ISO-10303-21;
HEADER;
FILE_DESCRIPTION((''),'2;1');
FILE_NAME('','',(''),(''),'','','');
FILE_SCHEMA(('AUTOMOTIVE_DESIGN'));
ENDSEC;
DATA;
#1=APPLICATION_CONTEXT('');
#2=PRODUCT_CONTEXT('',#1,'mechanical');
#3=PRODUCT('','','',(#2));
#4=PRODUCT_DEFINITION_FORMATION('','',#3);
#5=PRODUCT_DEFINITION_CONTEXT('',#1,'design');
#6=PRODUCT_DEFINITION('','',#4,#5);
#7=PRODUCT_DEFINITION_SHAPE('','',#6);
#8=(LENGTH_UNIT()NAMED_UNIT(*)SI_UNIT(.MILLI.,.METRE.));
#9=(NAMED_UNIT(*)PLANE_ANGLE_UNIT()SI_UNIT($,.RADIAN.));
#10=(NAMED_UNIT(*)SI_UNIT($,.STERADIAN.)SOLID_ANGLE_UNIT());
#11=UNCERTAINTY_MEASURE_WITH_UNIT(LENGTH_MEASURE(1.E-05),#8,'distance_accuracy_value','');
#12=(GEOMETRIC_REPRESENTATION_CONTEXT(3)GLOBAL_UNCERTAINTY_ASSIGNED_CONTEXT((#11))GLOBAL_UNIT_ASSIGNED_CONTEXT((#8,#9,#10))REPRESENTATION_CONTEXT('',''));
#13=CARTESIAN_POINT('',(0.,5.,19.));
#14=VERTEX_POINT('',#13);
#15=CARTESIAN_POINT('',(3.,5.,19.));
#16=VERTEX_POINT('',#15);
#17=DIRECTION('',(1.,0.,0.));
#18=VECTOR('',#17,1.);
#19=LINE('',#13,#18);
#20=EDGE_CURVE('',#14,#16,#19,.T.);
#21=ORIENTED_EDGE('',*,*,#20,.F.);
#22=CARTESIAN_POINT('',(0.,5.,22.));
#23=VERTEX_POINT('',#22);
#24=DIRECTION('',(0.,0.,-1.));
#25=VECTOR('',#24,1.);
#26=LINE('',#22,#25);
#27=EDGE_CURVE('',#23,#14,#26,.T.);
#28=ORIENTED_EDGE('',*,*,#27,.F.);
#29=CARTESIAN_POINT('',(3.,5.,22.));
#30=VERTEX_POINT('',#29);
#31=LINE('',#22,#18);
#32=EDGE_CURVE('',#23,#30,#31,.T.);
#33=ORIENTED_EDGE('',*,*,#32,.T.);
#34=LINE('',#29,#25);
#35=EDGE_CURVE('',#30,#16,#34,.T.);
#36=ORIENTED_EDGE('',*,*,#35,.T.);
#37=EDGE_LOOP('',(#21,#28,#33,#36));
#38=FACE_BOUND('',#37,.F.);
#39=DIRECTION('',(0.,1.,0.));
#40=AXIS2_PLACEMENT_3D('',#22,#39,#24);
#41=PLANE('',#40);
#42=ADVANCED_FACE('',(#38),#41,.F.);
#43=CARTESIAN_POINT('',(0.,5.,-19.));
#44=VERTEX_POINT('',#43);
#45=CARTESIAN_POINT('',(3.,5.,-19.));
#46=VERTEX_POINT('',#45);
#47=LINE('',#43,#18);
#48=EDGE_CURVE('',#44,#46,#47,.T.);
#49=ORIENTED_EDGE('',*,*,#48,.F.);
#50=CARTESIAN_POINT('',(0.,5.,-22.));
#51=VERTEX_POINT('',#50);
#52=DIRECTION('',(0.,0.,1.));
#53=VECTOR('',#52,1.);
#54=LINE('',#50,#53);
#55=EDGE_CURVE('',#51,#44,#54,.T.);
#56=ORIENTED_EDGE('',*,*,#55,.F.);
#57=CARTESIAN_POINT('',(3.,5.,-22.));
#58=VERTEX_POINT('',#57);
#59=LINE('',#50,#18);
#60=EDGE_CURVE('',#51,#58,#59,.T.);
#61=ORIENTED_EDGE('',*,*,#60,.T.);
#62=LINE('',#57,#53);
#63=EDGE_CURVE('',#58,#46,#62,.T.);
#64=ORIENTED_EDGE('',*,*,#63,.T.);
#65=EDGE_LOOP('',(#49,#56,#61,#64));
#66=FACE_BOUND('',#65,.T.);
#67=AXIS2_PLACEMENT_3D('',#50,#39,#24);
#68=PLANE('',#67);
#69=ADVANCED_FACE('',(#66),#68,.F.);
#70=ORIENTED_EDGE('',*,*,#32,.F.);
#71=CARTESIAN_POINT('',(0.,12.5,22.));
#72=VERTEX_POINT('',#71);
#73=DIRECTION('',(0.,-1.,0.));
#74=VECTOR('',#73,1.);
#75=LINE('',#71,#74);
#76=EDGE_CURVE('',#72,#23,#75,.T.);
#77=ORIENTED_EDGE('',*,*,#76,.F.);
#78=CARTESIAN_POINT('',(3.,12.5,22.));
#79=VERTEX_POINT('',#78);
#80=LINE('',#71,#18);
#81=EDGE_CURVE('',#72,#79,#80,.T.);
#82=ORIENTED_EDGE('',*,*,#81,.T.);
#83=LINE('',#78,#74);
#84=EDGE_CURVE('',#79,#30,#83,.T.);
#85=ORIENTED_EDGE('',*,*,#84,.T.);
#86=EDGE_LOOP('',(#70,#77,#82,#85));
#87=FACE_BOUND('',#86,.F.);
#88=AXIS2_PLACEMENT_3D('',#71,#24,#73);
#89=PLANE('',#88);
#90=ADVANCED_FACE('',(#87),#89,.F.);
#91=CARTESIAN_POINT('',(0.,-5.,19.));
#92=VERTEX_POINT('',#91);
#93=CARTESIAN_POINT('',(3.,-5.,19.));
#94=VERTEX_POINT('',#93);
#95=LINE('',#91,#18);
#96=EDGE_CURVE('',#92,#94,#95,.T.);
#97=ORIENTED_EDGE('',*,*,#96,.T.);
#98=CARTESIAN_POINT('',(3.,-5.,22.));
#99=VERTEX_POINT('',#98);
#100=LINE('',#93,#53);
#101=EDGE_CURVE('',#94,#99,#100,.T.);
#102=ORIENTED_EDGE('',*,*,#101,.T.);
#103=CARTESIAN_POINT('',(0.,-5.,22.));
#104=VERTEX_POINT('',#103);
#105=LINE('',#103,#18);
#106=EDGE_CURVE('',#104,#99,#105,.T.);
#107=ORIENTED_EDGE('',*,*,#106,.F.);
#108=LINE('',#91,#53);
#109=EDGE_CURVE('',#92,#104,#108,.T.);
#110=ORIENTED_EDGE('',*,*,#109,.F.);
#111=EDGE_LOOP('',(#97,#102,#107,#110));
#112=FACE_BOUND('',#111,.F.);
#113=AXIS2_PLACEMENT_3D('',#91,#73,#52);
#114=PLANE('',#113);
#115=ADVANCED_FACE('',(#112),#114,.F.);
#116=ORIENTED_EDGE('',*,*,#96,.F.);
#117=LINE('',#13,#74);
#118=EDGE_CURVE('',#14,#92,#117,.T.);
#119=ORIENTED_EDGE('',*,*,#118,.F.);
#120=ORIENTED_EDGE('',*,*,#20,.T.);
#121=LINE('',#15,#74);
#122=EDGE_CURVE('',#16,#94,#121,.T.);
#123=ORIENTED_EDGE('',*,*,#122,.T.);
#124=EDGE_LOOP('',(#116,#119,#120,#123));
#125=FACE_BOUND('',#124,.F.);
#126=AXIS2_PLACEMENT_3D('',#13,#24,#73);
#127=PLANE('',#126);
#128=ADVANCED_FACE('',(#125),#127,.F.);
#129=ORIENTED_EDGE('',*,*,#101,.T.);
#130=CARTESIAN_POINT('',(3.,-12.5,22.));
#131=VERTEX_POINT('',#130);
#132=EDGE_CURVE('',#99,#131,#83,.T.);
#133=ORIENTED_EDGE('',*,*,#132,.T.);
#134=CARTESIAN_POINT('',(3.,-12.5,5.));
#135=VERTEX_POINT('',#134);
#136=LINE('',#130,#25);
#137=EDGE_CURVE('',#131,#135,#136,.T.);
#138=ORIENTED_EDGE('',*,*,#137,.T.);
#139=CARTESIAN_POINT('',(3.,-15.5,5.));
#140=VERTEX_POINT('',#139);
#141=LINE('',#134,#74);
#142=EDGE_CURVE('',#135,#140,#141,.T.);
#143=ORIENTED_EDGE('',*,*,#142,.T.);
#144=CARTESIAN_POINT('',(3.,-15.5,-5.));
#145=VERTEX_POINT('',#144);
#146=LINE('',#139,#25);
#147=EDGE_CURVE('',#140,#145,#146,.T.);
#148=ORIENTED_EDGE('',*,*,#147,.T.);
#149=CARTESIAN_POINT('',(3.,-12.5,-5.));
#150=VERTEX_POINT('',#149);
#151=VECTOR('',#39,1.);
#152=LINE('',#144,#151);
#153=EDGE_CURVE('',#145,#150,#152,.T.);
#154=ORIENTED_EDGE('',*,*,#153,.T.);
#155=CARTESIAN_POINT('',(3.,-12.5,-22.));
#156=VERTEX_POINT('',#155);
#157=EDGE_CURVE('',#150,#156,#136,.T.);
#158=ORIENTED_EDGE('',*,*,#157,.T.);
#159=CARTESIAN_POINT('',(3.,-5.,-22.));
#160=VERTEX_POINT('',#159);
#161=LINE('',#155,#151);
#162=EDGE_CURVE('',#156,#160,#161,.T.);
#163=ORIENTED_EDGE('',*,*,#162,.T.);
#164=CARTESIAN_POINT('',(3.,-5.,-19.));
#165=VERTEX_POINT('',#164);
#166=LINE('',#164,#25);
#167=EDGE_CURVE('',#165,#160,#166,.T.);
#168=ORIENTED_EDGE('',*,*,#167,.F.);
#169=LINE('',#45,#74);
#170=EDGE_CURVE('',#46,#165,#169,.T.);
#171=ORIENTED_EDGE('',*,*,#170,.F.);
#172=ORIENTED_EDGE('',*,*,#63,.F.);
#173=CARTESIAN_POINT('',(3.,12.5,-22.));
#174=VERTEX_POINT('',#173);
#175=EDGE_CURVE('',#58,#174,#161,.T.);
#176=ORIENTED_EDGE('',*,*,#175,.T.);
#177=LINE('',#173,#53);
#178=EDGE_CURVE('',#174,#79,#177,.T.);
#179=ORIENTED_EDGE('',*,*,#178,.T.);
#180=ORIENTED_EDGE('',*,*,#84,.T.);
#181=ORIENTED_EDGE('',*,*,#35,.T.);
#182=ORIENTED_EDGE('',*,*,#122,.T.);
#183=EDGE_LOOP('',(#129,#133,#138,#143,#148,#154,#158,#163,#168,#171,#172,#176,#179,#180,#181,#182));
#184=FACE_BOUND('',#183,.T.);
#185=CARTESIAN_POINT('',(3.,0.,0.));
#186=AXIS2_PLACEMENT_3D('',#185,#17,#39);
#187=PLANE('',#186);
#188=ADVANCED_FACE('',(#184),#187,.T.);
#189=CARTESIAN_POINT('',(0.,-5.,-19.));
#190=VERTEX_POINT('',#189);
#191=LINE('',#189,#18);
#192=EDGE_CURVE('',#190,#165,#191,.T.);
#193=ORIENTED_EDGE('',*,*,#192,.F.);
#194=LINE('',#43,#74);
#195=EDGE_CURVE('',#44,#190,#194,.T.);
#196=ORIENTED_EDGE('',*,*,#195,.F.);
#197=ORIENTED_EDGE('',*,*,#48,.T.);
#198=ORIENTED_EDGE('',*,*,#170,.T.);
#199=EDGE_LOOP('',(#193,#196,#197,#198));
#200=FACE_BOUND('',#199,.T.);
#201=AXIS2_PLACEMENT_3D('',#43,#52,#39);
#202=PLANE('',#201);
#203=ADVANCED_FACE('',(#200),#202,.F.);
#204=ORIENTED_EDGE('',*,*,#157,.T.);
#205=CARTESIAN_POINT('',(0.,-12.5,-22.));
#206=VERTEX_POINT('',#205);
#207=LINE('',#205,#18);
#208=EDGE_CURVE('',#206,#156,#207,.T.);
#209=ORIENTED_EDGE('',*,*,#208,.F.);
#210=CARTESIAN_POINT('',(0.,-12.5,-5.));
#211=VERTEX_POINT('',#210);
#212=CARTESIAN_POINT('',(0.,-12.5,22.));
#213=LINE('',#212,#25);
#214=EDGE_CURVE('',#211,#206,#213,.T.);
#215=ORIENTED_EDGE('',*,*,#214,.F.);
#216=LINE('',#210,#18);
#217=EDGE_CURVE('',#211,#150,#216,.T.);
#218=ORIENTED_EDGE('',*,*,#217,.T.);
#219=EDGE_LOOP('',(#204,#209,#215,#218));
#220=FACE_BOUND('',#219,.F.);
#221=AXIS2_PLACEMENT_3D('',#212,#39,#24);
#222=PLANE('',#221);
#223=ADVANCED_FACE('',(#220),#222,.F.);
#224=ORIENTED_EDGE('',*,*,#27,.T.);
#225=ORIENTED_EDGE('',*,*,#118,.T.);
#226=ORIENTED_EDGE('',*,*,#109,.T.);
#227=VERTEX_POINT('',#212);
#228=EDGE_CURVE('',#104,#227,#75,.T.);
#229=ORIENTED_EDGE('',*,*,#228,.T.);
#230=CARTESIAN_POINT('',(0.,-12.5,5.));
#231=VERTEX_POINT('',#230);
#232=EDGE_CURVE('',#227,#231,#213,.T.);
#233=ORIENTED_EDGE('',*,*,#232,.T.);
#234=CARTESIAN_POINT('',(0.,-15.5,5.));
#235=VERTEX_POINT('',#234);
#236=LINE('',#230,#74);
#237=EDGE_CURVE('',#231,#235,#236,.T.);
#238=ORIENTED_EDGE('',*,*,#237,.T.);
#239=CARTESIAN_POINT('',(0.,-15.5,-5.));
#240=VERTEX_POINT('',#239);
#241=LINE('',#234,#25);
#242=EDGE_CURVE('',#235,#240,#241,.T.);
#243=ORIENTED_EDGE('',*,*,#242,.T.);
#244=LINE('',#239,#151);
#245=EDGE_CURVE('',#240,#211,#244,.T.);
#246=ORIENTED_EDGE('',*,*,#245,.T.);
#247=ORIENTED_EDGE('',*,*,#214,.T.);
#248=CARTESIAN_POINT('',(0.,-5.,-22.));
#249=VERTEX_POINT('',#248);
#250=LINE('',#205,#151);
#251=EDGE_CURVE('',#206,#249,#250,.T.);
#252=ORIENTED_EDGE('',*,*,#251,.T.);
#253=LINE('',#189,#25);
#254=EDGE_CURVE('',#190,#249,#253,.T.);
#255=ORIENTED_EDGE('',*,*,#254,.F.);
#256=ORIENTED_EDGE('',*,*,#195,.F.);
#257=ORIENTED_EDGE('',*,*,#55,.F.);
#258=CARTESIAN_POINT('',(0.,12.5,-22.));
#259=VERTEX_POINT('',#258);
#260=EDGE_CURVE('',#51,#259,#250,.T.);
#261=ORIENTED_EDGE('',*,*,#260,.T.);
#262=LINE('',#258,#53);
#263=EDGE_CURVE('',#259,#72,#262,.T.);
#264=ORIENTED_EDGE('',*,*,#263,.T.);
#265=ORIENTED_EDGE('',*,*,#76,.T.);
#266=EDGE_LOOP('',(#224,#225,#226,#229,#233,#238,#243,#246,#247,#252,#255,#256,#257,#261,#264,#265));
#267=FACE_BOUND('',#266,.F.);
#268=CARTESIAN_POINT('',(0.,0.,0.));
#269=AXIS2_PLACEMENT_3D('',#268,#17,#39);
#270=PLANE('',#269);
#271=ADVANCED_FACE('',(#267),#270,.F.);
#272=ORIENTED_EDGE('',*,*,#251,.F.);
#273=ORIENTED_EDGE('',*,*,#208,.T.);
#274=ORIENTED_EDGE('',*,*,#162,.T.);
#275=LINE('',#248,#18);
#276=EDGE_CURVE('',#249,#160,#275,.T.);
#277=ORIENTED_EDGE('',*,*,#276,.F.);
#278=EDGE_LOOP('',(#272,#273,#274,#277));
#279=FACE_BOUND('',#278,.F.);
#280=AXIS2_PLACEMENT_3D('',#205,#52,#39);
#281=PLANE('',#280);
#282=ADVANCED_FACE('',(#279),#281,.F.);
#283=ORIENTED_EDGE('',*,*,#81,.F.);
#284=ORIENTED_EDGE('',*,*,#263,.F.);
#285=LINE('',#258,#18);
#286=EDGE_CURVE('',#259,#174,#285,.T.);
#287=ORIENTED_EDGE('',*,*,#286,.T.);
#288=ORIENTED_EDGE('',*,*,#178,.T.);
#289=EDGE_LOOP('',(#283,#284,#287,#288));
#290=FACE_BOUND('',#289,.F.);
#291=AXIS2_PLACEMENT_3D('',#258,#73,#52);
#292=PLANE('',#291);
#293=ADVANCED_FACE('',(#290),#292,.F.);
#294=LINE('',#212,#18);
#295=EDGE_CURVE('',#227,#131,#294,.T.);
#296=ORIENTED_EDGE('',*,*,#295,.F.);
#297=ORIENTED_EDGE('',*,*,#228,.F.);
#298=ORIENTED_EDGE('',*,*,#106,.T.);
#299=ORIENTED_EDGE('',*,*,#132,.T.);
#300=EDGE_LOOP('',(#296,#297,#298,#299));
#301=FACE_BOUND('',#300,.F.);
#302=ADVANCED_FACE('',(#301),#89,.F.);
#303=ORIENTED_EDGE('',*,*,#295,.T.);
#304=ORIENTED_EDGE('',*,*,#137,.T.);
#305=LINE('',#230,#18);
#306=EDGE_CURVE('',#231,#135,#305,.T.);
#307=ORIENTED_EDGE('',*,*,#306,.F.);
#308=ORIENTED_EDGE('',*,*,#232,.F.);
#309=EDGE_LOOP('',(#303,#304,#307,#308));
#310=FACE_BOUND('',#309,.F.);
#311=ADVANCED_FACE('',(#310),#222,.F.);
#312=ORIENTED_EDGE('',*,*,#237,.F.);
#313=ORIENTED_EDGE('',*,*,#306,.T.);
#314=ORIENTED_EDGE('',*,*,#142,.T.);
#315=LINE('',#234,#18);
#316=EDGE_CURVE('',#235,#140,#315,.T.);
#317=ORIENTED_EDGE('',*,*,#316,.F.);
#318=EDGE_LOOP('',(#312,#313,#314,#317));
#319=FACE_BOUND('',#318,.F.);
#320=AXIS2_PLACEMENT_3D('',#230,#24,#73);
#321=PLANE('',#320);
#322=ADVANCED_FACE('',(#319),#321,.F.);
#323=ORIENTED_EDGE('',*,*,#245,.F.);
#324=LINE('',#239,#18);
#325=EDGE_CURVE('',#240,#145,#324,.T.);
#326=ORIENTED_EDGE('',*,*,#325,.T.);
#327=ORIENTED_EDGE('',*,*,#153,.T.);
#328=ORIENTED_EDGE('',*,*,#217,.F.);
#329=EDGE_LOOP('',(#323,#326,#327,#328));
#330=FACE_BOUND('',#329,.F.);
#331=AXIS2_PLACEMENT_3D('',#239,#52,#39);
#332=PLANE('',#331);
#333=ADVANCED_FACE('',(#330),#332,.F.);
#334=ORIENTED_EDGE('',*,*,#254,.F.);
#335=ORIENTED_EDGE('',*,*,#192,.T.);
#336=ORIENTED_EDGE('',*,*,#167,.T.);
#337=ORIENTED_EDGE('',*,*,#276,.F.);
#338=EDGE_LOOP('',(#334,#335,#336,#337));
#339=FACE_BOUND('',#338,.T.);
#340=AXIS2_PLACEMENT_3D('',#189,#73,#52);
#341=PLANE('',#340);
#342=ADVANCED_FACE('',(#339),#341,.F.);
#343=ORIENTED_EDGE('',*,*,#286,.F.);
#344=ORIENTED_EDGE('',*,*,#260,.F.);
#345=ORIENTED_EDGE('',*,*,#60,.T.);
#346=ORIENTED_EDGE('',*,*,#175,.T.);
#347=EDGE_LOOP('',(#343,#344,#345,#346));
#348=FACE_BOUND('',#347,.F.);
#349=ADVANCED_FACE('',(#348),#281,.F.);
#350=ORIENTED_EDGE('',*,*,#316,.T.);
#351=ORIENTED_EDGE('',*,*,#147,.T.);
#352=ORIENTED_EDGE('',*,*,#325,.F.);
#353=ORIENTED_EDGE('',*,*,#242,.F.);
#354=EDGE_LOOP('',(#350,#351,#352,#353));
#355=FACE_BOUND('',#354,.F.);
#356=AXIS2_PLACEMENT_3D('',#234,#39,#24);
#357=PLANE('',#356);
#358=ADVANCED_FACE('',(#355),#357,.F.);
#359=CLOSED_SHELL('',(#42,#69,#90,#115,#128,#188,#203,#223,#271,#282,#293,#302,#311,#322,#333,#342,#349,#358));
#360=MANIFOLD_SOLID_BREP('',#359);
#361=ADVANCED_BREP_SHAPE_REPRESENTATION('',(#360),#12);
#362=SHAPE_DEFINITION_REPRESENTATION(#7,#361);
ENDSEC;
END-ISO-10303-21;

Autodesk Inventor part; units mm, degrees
ref_plane "YZ Plane" through (0, 0, 0) normal (1, 0, 0) x (0, 1, 0)
ref_plane "XZ Plane" through (0, 0, 0) normal (0, 1, 0) x (-1, 0, 0)
ref_plane "XY Plane" through (0, 0, 0) normal (0, 0, 1) x (1, 0, 0)
sketch "Sketch1" plane through (0, 0, 0) normal (1, 0, 0) x (0, 1, 0)
  line L0 (-12.5, -22) -> (12.5, -22)
  line L1 (12.5, -22) -> (12.5, 22)
  line L2 (12.5, 22) -> (-12.5, 22)
  line L3 (-12.5, 22) -> (-12.5, -22)
  line L4 (-12.5, -22) -> (12.5, 22) construction
  line L5 (12.5, -22) -> (-12.5, 22) construction
  point P0 (0, 0)
  dimension "d0" = 25
  dimension "d1" = 44
extrude "Extrusion1" add sketch "Sketch1" along normal blind 3
sketch "Sketch2" plane through (0, 0, 0) normal (-1, 0, 0) x (0, 0, 1)
  line L0 (-5, -12.5) -> (5, -12.5)
  line L1 (5, -12.5) -> (5, -15.5)
  line L2 (5, -15.5) -> (-5, -15.5)
  line L3 (-5, -15.5) -> (-5, -12.5)
  line L4 (22, -12.5) -> (-22, -12.5) projected
  point P0 (0, 0)
  point P1 (0, -15.5)
  dimension "d4" = 10
  dimension "d5" = 3
extrude "Extrusion2" add sketch "Sketch2" against normal blind 3
sketch "Sketch3" plane through (0, 0, 0) normal (-1, 0, 0) x (0, 0, 1)
  line L0 (22, 12.5) -> (22, -12.5) projected
  line L1 (22, 5) -> (19, 5)
  line L2 (19, 5) -> (19, -5)
  line L3 (19, -5) -> (22, -5)
  line L4 (22, -5) -> (22, 5)
  point P0 (0, 0)
  point P1 (19, 0)
  dimension "d8" = 3
  dimension "d9" = 10
extrude "Extrusion3" cut sketch "Sketch3" against normal blind 3
mirror "Mirror1" about plane through (0, 0, 0) normal (0, 0, 1) of "Extrusion3"
properties part number "battery holder ends"
